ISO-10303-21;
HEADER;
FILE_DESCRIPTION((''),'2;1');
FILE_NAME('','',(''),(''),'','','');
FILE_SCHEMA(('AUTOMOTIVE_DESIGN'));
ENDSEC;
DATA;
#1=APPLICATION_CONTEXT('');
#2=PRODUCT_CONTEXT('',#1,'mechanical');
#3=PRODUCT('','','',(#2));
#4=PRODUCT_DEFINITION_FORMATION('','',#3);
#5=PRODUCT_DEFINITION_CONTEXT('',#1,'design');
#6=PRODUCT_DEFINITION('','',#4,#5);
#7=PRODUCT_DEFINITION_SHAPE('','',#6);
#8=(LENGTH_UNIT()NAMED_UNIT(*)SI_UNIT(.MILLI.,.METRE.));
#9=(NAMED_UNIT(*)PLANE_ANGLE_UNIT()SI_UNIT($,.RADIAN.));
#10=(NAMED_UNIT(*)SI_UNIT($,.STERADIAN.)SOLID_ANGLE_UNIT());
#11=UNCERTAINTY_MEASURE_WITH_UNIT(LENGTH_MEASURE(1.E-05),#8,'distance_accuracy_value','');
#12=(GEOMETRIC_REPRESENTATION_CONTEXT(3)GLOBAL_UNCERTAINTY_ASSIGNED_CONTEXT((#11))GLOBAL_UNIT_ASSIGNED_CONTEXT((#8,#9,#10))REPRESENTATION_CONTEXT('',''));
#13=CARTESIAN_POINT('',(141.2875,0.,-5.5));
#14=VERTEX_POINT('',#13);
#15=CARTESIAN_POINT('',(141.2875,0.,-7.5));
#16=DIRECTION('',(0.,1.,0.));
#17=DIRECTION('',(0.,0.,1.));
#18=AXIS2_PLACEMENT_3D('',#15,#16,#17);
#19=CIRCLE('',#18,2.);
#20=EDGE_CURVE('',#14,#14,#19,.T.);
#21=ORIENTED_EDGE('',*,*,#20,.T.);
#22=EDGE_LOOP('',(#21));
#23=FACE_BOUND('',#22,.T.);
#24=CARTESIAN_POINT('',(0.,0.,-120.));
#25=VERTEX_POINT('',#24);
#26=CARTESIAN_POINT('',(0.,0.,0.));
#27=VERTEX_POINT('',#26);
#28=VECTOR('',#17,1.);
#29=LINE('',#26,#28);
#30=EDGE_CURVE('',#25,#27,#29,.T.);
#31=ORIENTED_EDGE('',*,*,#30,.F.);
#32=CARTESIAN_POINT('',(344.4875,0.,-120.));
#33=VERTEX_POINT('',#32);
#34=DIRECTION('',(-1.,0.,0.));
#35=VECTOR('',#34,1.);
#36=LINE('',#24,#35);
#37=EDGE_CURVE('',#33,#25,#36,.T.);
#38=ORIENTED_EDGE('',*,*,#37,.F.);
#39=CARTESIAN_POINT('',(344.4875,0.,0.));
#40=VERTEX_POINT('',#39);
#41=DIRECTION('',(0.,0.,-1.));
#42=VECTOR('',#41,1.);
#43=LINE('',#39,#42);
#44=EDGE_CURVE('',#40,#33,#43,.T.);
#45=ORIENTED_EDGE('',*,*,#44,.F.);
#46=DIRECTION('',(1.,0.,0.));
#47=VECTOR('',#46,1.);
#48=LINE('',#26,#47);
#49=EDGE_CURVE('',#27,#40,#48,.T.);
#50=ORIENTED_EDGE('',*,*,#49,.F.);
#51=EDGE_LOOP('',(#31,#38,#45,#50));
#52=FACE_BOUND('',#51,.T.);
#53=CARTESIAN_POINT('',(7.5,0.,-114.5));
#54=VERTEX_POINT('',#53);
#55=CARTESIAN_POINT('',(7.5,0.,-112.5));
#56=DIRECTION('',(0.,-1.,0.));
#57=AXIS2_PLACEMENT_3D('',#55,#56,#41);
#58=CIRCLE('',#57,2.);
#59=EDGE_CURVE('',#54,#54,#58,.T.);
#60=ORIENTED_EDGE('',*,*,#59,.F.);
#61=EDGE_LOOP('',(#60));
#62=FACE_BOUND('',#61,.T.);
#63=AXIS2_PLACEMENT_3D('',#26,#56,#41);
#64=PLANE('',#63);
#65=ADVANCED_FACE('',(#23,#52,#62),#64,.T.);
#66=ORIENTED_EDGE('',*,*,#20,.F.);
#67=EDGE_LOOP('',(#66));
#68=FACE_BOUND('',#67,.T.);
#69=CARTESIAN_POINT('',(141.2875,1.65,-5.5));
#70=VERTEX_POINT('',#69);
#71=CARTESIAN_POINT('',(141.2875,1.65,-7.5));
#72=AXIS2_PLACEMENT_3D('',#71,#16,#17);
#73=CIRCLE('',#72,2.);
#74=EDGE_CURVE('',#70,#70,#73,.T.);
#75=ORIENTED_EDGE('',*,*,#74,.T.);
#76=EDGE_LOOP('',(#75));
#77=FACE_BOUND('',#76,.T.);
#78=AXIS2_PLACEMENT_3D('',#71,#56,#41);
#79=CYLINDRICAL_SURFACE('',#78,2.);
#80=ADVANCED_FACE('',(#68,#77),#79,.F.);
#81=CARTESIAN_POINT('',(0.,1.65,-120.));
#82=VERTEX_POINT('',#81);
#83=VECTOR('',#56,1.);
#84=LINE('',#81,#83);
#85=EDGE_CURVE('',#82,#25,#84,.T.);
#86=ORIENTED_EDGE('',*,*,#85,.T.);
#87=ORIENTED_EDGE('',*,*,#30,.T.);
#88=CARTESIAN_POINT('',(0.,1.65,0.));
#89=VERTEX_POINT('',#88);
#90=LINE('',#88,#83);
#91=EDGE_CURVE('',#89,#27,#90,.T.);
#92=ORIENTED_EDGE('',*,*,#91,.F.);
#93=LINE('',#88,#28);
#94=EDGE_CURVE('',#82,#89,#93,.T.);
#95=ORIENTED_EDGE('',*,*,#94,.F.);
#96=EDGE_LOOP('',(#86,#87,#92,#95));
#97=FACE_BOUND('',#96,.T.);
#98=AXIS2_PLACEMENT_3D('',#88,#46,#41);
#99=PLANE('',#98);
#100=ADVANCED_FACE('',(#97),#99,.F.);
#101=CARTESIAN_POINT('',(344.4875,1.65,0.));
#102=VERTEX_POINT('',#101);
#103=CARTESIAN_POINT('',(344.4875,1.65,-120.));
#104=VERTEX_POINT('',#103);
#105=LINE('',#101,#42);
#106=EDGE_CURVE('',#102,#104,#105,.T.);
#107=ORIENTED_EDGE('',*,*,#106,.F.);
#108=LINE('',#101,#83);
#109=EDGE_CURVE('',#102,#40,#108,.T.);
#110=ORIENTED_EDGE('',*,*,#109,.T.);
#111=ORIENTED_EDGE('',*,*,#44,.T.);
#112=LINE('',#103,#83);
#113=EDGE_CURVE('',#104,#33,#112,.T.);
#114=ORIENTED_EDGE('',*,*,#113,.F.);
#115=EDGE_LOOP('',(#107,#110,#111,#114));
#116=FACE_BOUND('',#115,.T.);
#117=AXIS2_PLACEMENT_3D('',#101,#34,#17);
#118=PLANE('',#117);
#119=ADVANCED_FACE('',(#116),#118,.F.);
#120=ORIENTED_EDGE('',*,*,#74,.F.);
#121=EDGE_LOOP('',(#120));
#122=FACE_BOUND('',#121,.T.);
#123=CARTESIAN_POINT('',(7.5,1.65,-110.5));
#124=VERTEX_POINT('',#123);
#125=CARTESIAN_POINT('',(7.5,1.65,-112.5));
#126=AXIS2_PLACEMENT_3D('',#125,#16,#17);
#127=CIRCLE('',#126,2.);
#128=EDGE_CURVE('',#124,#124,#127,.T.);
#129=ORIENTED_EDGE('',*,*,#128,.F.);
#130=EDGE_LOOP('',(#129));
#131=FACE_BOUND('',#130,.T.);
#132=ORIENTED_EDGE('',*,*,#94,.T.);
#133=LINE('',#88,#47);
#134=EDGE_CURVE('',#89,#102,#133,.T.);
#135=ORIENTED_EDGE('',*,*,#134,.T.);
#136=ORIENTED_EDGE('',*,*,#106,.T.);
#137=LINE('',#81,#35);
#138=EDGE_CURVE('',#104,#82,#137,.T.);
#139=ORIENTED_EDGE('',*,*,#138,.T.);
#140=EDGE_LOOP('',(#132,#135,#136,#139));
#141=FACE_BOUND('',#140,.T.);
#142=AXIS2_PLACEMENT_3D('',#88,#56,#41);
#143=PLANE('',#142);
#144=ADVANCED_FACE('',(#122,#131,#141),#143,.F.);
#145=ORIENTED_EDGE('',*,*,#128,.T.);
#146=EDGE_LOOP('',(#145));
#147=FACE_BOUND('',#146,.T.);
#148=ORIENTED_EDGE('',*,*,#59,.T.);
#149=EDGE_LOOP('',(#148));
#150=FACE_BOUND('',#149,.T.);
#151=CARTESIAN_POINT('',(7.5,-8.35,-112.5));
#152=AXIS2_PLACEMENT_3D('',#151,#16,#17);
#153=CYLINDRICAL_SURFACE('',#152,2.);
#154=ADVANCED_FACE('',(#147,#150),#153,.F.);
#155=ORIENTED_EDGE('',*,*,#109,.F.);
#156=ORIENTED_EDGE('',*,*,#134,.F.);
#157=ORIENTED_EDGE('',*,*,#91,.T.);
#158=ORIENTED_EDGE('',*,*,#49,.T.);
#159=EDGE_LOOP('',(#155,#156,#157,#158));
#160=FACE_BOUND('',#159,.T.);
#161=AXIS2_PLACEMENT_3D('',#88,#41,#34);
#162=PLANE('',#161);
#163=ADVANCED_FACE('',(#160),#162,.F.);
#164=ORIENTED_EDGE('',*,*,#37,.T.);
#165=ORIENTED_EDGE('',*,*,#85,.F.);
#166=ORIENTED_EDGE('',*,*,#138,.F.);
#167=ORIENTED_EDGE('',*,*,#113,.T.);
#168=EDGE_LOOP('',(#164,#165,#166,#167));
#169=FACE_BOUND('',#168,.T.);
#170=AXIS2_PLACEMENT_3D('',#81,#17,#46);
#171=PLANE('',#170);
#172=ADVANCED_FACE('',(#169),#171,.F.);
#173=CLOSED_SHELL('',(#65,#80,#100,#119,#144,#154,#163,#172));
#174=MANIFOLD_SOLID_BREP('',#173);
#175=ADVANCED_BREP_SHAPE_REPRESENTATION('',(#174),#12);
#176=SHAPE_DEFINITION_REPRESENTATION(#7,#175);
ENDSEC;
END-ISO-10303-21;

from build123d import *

# Parameters (mm, degrees)
SKETCH1_W           = 344.4875
SKETCH1_H           = 120
SKETCH1_R           = 2
BOSS_EXTRUDE1_DEPTH = 1.65
SKETCH2_R           = 2
CUT_EXTRUDE1_DEPTH  = 10


with BuildPart() as part:
    # Sketch1 → Boss-Extrude1 (new body)
    with BuildSketch(Plane(origin=(0, 0, 0), x_dir=(1, 0, 0), z_dir=(0, 1, 0))):
        with Locations((172.24375, 60)):
            Rectangle(SKETCH1_W, SKETCH1_H)
        with Locations((141.2875, 7.5)):
            Circle(SKETCH1_R, mode=Mode.SUBTRACT)
    extrude(amount=BOSS_EXTRUDE1_DEPTH)

    # Sketch2 → Cut-Extrude1 (cut)
    with BuildSketch(Plane(origin=(0, 1.65, 0), x_dir=(1, 0, 0), z_dir=(0, 1, 0))):
        with Locations((7.5, 112.5)):
            Circle(SKETCH2_R)
    extrude(amount=-CUT_EXTRUDE1_DEPTH, mode=Mode.SUBTRACT)


solid = part.part
